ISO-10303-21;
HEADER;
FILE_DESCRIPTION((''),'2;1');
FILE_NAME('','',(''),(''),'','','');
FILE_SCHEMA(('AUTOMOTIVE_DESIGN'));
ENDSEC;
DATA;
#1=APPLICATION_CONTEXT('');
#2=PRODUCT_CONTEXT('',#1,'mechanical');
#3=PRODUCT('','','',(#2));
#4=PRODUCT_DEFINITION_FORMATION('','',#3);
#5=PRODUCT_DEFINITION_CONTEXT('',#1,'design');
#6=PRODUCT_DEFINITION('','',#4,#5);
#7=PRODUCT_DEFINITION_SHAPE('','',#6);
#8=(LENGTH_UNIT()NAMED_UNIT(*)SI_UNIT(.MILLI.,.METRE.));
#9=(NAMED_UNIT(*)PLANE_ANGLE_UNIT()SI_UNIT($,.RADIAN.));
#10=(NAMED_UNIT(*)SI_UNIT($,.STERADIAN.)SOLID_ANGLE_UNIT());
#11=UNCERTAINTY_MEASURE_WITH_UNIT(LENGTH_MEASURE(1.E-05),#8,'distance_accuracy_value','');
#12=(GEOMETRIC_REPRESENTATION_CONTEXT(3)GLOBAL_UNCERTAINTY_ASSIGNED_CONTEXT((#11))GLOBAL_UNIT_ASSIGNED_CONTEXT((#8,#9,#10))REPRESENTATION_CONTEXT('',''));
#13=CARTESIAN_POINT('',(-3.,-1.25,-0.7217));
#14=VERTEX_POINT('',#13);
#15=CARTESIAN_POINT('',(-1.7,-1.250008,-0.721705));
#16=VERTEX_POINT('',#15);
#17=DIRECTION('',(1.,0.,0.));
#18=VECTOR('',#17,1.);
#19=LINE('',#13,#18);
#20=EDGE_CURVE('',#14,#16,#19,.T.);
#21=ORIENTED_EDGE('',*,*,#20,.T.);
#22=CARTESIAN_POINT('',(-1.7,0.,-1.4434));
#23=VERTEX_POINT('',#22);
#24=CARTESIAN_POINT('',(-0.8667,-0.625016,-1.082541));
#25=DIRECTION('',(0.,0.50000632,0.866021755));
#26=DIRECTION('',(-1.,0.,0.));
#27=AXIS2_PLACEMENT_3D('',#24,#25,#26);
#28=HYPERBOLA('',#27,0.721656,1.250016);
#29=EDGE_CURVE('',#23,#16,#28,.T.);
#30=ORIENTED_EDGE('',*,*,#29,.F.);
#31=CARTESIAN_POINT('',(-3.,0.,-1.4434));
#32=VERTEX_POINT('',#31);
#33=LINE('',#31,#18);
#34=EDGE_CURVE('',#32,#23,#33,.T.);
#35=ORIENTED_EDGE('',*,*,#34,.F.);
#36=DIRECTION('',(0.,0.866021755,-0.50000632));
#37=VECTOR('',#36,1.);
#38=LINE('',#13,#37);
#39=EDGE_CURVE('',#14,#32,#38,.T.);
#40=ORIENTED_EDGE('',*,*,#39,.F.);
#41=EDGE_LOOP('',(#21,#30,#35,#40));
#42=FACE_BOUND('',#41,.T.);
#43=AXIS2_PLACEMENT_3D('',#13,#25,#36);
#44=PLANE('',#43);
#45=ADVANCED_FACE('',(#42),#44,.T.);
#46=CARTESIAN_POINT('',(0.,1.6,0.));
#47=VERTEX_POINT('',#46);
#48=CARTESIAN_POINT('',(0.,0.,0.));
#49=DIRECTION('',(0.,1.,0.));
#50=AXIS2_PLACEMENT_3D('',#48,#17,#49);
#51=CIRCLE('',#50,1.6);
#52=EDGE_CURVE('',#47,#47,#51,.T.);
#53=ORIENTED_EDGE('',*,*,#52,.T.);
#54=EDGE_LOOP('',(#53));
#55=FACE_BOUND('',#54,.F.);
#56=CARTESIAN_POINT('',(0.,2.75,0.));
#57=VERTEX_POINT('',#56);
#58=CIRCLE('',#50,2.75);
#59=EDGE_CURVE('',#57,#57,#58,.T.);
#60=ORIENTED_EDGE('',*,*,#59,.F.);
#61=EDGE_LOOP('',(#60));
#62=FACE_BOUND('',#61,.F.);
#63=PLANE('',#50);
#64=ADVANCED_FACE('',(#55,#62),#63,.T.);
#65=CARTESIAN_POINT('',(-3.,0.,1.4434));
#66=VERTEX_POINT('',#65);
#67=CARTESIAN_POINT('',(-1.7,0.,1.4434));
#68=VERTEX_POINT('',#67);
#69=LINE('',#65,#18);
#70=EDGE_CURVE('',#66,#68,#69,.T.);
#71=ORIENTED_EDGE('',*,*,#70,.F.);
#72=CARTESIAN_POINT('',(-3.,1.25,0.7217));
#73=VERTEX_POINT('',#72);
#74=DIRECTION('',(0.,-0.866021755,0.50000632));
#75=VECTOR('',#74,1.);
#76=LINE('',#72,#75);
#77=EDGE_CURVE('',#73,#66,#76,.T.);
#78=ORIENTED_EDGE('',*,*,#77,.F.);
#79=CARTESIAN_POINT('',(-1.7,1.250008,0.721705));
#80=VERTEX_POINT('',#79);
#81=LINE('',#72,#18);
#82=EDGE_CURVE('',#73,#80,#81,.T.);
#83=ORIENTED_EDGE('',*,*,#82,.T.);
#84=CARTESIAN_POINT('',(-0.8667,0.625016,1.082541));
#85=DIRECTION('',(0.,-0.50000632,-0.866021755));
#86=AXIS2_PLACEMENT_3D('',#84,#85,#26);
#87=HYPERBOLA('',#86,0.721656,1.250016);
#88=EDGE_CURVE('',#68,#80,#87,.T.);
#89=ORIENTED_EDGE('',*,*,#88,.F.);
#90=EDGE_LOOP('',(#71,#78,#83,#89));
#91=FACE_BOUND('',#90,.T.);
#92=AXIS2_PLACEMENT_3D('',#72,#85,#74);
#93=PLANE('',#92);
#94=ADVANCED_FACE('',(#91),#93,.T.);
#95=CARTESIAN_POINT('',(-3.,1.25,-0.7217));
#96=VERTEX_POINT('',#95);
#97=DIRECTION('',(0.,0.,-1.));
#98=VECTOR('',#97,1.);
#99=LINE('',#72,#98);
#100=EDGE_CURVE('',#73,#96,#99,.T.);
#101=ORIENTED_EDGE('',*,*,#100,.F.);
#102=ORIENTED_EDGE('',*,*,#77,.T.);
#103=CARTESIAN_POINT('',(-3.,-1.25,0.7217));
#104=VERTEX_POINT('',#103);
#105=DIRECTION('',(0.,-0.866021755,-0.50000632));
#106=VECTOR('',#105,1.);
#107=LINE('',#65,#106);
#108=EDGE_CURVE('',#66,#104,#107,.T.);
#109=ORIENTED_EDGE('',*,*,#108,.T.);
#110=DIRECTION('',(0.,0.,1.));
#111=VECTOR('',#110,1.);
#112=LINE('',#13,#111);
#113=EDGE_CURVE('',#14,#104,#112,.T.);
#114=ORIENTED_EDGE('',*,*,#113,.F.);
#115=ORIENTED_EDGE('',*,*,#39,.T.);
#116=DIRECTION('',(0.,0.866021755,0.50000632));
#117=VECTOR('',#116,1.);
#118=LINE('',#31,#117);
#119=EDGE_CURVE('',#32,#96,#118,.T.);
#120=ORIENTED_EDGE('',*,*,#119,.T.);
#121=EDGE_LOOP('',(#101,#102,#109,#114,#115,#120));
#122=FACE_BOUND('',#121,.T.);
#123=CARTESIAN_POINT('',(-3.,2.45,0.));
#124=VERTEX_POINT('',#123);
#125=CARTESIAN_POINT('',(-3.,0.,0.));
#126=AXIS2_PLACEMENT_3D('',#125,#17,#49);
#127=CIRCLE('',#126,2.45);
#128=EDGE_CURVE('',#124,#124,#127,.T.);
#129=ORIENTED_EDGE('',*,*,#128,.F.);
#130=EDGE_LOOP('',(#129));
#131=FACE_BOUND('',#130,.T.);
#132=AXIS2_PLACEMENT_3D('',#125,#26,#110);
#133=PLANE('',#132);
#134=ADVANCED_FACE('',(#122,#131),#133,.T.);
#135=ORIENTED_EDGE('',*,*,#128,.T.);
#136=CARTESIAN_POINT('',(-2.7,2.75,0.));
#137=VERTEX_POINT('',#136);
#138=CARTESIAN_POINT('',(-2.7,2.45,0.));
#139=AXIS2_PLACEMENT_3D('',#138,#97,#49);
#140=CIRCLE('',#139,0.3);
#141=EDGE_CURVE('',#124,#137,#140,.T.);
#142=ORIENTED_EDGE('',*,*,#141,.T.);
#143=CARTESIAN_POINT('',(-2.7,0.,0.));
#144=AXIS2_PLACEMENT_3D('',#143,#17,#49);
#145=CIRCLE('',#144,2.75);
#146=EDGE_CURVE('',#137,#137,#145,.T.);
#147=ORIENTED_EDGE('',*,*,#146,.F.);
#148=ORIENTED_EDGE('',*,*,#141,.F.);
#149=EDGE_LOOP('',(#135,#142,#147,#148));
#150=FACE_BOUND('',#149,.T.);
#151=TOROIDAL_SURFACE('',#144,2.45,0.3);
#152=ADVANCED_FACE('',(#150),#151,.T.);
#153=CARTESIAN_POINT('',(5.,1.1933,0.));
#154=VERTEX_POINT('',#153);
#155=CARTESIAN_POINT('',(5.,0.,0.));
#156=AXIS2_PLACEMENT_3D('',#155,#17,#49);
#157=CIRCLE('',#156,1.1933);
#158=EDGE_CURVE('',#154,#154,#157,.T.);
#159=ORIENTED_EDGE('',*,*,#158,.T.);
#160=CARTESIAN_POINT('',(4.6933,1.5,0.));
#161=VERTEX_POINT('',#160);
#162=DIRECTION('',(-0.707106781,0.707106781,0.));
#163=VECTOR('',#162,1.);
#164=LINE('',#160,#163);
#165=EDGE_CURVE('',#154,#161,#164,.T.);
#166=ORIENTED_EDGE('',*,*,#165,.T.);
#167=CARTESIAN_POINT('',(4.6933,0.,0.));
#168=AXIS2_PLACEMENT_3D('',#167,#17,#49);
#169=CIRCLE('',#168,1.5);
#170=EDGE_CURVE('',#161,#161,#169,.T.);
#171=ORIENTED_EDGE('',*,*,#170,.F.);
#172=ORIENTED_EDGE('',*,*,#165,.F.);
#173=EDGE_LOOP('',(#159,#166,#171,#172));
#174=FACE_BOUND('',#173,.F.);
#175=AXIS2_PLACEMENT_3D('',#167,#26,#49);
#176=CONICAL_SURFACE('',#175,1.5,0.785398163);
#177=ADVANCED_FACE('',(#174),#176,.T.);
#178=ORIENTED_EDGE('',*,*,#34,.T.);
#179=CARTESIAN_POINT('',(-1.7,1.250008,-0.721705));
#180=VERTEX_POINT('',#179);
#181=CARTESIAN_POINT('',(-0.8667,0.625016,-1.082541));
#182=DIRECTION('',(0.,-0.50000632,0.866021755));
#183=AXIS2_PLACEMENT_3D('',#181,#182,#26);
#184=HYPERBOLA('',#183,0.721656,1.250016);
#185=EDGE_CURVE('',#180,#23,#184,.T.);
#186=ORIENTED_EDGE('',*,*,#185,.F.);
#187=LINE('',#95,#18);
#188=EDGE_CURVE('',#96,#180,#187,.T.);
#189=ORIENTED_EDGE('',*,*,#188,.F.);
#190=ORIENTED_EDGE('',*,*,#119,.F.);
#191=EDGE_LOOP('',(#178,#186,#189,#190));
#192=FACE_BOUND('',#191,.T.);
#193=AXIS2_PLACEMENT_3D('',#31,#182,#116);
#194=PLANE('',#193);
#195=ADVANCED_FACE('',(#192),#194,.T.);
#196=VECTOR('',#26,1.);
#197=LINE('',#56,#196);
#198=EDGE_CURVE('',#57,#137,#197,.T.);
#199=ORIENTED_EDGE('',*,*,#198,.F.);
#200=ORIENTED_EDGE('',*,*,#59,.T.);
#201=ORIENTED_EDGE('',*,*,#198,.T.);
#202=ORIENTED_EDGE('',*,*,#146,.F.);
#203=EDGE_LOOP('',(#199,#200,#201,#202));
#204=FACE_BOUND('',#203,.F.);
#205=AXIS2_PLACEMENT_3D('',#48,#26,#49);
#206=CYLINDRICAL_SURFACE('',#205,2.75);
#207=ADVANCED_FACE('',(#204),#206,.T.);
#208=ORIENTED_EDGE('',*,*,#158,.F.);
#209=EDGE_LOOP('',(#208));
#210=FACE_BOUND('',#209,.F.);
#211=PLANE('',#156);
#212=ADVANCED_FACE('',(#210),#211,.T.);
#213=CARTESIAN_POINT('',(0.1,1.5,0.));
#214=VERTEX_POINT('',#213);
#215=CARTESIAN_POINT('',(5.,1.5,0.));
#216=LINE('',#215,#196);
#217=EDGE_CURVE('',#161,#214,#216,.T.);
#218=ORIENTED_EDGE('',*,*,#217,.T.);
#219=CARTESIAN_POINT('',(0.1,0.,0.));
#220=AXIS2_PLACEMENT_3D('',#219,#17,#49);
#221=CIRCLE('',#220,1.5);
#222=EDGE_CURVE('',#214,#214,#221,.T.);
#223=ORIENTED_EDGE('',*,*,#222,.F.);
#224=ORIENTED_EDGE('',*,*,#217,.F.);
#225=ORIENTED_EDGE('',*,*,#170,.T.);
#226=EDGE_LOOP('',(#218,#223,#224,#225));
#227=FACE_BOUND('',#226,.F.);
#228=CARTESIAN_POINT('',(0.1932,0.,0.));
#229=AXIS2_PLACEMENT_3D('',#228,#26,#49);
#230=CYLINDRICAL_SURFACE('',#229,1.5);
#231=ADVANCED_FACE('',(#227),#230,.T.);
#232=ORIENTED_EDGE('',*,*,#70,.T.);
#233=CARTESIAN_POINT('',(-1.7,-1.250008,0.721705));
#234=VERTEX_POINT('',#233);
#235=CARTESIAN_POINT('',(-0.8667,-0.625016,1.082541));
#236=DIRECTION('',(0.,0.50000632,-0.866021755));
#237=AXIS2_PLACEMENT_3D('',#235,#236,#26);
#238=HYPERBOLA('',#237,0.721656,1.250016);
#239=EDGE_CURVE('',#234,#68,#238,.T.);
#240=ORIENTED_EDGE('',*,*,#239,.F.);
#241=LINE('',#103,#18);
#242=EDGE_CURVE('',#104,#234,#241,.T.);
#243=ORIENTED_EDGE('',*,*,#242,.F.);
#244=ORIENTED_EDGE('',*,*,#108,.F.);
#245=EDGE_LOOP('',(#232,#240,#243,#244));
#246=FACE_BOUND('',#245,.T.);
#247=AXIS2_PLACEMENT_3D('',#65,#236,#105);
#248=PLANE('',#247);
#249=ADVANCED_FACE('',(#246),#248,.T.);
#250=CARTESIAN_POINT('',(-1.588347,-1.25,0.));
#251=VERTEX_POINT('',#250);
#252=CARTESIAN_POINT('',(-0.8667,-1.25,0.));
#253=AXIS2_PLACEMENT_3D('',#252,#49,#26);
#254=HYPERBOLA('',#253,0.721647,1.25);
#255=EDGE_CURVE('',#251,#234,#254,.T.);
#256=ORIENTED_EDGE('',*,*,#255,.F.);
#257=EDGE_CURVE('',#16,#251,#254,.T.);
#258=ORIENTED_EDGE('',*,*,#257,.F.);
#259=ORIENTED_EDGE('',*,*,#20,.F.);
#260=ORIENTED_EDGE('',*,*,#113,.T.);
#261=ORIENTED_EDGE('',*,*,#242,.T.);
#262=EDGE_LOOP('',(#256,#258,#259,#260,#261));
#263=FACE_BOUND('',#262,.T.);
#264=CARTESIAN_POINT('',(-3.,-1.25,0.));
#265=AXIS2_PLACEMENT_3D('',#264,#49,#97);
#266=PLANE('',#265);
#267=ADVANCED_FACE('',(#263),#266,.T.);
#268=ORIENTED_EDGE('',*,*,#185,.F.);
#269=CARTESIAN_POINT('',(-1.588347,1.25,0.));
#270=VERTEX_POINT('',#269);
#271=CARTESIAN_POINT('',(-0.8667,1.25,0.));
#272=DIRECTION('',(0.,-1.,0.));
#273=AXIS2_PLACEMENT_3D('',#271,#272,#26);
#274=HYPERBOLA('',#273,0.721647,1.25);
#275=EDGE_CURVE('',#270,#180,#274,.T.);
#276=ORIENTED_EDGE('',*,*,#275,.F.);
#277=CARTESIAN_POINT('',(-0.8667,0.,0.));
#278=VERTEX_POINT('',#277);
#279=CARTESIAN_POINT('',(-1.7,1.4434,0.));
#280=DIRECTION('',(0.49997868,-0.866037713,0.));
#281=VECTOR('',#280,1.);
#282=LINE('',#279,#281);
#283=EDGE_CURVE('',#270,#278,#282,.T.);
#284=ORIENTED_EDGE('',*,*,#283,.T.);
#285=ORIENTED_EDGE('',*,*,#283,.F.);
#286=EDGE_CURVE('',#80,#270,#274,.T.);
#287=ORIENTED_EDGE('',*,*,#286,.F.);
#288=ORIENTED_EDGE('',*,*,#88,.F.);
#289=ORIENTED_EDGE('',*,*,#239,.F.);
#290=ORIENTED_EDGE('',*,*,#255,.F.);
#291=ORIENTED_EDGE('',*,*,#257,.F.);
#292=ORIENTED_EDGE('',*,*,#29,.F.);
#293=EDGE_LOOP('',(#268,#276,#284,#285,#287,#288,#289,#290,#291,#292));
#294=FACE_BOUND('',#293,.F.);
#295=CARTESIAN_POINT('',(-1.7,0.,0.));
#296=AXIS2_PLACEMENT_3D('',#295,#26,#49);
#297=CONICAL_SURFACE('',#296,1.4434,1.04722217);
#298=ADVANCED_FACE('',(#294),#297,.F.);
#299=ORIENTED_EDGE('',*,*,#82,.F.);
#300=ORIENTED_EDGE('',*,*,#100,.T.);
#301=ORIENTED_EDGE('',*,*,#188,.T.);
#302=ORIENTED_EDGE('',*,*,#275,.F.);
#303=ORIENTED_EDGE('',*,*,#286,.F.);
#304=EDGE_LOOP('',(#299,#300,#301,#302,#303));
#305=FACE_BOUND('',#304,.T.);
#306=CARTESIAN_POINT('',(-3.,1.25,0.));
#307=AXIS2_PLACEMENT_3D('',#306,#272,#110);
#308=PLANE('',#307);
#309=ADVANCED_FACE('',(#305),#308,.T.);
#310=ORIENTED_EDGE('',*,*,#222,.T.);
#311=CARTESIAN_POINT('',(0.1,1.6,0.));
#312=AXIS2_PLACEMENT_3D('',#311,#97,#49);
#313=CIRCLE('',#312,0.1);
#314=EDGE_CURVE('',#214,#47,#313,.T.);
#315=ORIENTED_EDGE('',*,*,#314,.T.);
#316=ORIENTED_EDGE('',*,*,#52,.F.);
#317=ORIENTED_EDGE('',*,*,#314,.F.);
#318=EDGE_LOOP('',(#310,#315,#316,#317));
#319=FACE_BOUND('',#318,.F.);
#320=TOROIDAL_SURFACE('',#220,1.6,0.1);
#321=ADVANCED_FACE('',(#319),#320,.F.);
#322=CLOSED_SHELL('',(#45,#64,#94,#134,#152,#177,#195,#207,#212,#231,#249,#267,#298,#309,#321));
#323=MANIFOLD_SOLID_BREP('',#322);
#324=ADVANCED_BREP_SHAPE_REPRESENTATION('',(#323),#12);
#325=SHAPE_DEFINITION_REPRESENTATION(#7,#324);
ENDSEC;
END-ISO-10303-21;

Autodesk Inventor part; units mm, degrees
ref_plane "YZ Plane" through (0, 0, 0) normal (1, 0, 0) x (0, 1, 0)
ref_plane "XZ Plane" through (0, 0, 0) normal (0, 1, 0) x (-1, 0, 0)
sketch "Sketch1" plane through (0, 0, 0) normal (0, 0, 1) x (1, 0, 0)
  line L0 (-0.8667, 0) -> (5, 0)
  line L1 (5, 0) -> (5, 1.5)
  line L2 (5, 1.5) -> (0.5, 1.5)
  line L3 (0.5, 1.5) -> (0.1932, 1.5)
  line L4 (0.1932, 1.5) -> (0, 1.5)
  line L5 (0, 1.5) -> (0, 2.75)
  line L6 (0, 2.75) -> (-3, 2.75)
  line L7 (-3, 2.75) -> (-3, 1.4434)
  line L8 (-3, 1.4434) -> (-1.7, 1.4434)
  line L9 (-1.7, 1.4434) -> (-0.8667, 0)
  line L10 (-4.6, 0) -> (6.6, 0) projected
  line L11 (0, -0.55) -> (0, 3.3) projected
  line L12 (0.5, 1.5) -> (0, 1.5) construction
  dimension "d1" = 4.5
  dimension "d2" = 0.3068
  dimension "d3" = 3
  dimension "d4" = 1.3
  dimension "d5" = 60
  dimension "d6" = 3
  dimension "d7" = 3
  dimension "d8" = 2.8868
  dimension "d9" = 5.5
  dimension "d26" = 5
revolve "Body" add sketch "Sketch1" angle 360 about axis through (-0.8667, 0, 0) along (1, 0, 0)
sketch "Sketch2" plane through (-3, 0, 0) normal (-1, 0, 0) x (0, 0, 1)
  circle A0 centre (0, 0) radius 1.4434 projected
  line L0 (0, -3.85) -> (0, 3.85) projected
  line L1 (-3.85, 0) -> (3.85, 0) projected
  line L2 (1.4434, 0) -> (0.7217, -1.25)
  line L3 (0.7217, -1.25) -> (-0.7217, -1.25)
  line L4 (-0.7217, -1.25) -> (-1.4434, 0)
  line L5 (-1.4434, 0) -> (-0.7217, 1.25)
  line L6 (-0.7217, 1.25) -> (0.7217, 1.25)
  line L7 (0.7217, 1.25) -> (1.4434, 0)
extrude "Slot" add sketch "Sketch2" against normal up to next contours L7 A0 | A0 L2 | L6 L0 A0 | A0 L0 L3 | L0 L6 A0 | A0 L3 L0 | L4 A0 | A0 L5
fillet "Fillet1" radius 0.3 1 edges at (-3, -2.75, 0)
thread "Thread" size "M3x0.5" designation "M3" class "6g" standard "GB Metric profile" length 4.5
chamfer "Chamfer1" distance 0.3067 distance2 0.3067 1 edges at (5, -1.5, 0) measured on face at (5, -0.2617, -0.7882)
ref_plane "Work Plane1" through (29, 0, 0) normal (0, -1, 0) x (1, 0, 0)
fillet "Fillet2" radius 0.1 1 edges at (0, -1.5, 0)
equation "\"d1\" = GEL"
equation "\"d3\" = KOH"
equation "\"d4\" = INTI"
equation "\"d6\" = GD"
equation "\"d7\" = BDM"
equation "\"d8\" = 1.1547 * SW"
equation "\"d9\" = KOD"
equation "\"d26\" = NLG"
equation "\"d30\" = R"
equation "\"d17\" = RR"
equation "\"d13\" = GEL"
equation "\"d15\" = -0.5 * SPD + 0.5 * GD"
equation "\"d16\" = GUL"
equation "\"GD\" = NND"
equation "\"NLG\" = 5"
equation "\"GEL\" = 4.5"
equation "\"KOD\" = 5.5"
equation "\"KOH\" = NND"
equation "\"INTI\" = 1.3"
equation "\"GAL\" = 0.61345 * PTC"
equation "\"GUL\" = 0.61345 * PTC"
equation "\"BDM\" = NND"
equation "\"SW\" = 2.5"
equation "\"RR\" = 0.3"
equation "\"SPD\" = NND - 1.2269 * PTC"
equation "\"R\" = 0.1"
equation "\"TOA\" = 30deg"
equation "\"GD1\" = THREADDIA - 1.2269 * PTC"
equation "\"THREADDIA\" = 3"
equation "\"FAWI\" = 45deg"
equation "\"PTC\" = 0.5"
equation "\"NND\" = 3"
equation "\"E0\" = 1.155 * SW"
properties part number "Screw GB/T 70.1 M3 x 5" material "Steel, Mild"
